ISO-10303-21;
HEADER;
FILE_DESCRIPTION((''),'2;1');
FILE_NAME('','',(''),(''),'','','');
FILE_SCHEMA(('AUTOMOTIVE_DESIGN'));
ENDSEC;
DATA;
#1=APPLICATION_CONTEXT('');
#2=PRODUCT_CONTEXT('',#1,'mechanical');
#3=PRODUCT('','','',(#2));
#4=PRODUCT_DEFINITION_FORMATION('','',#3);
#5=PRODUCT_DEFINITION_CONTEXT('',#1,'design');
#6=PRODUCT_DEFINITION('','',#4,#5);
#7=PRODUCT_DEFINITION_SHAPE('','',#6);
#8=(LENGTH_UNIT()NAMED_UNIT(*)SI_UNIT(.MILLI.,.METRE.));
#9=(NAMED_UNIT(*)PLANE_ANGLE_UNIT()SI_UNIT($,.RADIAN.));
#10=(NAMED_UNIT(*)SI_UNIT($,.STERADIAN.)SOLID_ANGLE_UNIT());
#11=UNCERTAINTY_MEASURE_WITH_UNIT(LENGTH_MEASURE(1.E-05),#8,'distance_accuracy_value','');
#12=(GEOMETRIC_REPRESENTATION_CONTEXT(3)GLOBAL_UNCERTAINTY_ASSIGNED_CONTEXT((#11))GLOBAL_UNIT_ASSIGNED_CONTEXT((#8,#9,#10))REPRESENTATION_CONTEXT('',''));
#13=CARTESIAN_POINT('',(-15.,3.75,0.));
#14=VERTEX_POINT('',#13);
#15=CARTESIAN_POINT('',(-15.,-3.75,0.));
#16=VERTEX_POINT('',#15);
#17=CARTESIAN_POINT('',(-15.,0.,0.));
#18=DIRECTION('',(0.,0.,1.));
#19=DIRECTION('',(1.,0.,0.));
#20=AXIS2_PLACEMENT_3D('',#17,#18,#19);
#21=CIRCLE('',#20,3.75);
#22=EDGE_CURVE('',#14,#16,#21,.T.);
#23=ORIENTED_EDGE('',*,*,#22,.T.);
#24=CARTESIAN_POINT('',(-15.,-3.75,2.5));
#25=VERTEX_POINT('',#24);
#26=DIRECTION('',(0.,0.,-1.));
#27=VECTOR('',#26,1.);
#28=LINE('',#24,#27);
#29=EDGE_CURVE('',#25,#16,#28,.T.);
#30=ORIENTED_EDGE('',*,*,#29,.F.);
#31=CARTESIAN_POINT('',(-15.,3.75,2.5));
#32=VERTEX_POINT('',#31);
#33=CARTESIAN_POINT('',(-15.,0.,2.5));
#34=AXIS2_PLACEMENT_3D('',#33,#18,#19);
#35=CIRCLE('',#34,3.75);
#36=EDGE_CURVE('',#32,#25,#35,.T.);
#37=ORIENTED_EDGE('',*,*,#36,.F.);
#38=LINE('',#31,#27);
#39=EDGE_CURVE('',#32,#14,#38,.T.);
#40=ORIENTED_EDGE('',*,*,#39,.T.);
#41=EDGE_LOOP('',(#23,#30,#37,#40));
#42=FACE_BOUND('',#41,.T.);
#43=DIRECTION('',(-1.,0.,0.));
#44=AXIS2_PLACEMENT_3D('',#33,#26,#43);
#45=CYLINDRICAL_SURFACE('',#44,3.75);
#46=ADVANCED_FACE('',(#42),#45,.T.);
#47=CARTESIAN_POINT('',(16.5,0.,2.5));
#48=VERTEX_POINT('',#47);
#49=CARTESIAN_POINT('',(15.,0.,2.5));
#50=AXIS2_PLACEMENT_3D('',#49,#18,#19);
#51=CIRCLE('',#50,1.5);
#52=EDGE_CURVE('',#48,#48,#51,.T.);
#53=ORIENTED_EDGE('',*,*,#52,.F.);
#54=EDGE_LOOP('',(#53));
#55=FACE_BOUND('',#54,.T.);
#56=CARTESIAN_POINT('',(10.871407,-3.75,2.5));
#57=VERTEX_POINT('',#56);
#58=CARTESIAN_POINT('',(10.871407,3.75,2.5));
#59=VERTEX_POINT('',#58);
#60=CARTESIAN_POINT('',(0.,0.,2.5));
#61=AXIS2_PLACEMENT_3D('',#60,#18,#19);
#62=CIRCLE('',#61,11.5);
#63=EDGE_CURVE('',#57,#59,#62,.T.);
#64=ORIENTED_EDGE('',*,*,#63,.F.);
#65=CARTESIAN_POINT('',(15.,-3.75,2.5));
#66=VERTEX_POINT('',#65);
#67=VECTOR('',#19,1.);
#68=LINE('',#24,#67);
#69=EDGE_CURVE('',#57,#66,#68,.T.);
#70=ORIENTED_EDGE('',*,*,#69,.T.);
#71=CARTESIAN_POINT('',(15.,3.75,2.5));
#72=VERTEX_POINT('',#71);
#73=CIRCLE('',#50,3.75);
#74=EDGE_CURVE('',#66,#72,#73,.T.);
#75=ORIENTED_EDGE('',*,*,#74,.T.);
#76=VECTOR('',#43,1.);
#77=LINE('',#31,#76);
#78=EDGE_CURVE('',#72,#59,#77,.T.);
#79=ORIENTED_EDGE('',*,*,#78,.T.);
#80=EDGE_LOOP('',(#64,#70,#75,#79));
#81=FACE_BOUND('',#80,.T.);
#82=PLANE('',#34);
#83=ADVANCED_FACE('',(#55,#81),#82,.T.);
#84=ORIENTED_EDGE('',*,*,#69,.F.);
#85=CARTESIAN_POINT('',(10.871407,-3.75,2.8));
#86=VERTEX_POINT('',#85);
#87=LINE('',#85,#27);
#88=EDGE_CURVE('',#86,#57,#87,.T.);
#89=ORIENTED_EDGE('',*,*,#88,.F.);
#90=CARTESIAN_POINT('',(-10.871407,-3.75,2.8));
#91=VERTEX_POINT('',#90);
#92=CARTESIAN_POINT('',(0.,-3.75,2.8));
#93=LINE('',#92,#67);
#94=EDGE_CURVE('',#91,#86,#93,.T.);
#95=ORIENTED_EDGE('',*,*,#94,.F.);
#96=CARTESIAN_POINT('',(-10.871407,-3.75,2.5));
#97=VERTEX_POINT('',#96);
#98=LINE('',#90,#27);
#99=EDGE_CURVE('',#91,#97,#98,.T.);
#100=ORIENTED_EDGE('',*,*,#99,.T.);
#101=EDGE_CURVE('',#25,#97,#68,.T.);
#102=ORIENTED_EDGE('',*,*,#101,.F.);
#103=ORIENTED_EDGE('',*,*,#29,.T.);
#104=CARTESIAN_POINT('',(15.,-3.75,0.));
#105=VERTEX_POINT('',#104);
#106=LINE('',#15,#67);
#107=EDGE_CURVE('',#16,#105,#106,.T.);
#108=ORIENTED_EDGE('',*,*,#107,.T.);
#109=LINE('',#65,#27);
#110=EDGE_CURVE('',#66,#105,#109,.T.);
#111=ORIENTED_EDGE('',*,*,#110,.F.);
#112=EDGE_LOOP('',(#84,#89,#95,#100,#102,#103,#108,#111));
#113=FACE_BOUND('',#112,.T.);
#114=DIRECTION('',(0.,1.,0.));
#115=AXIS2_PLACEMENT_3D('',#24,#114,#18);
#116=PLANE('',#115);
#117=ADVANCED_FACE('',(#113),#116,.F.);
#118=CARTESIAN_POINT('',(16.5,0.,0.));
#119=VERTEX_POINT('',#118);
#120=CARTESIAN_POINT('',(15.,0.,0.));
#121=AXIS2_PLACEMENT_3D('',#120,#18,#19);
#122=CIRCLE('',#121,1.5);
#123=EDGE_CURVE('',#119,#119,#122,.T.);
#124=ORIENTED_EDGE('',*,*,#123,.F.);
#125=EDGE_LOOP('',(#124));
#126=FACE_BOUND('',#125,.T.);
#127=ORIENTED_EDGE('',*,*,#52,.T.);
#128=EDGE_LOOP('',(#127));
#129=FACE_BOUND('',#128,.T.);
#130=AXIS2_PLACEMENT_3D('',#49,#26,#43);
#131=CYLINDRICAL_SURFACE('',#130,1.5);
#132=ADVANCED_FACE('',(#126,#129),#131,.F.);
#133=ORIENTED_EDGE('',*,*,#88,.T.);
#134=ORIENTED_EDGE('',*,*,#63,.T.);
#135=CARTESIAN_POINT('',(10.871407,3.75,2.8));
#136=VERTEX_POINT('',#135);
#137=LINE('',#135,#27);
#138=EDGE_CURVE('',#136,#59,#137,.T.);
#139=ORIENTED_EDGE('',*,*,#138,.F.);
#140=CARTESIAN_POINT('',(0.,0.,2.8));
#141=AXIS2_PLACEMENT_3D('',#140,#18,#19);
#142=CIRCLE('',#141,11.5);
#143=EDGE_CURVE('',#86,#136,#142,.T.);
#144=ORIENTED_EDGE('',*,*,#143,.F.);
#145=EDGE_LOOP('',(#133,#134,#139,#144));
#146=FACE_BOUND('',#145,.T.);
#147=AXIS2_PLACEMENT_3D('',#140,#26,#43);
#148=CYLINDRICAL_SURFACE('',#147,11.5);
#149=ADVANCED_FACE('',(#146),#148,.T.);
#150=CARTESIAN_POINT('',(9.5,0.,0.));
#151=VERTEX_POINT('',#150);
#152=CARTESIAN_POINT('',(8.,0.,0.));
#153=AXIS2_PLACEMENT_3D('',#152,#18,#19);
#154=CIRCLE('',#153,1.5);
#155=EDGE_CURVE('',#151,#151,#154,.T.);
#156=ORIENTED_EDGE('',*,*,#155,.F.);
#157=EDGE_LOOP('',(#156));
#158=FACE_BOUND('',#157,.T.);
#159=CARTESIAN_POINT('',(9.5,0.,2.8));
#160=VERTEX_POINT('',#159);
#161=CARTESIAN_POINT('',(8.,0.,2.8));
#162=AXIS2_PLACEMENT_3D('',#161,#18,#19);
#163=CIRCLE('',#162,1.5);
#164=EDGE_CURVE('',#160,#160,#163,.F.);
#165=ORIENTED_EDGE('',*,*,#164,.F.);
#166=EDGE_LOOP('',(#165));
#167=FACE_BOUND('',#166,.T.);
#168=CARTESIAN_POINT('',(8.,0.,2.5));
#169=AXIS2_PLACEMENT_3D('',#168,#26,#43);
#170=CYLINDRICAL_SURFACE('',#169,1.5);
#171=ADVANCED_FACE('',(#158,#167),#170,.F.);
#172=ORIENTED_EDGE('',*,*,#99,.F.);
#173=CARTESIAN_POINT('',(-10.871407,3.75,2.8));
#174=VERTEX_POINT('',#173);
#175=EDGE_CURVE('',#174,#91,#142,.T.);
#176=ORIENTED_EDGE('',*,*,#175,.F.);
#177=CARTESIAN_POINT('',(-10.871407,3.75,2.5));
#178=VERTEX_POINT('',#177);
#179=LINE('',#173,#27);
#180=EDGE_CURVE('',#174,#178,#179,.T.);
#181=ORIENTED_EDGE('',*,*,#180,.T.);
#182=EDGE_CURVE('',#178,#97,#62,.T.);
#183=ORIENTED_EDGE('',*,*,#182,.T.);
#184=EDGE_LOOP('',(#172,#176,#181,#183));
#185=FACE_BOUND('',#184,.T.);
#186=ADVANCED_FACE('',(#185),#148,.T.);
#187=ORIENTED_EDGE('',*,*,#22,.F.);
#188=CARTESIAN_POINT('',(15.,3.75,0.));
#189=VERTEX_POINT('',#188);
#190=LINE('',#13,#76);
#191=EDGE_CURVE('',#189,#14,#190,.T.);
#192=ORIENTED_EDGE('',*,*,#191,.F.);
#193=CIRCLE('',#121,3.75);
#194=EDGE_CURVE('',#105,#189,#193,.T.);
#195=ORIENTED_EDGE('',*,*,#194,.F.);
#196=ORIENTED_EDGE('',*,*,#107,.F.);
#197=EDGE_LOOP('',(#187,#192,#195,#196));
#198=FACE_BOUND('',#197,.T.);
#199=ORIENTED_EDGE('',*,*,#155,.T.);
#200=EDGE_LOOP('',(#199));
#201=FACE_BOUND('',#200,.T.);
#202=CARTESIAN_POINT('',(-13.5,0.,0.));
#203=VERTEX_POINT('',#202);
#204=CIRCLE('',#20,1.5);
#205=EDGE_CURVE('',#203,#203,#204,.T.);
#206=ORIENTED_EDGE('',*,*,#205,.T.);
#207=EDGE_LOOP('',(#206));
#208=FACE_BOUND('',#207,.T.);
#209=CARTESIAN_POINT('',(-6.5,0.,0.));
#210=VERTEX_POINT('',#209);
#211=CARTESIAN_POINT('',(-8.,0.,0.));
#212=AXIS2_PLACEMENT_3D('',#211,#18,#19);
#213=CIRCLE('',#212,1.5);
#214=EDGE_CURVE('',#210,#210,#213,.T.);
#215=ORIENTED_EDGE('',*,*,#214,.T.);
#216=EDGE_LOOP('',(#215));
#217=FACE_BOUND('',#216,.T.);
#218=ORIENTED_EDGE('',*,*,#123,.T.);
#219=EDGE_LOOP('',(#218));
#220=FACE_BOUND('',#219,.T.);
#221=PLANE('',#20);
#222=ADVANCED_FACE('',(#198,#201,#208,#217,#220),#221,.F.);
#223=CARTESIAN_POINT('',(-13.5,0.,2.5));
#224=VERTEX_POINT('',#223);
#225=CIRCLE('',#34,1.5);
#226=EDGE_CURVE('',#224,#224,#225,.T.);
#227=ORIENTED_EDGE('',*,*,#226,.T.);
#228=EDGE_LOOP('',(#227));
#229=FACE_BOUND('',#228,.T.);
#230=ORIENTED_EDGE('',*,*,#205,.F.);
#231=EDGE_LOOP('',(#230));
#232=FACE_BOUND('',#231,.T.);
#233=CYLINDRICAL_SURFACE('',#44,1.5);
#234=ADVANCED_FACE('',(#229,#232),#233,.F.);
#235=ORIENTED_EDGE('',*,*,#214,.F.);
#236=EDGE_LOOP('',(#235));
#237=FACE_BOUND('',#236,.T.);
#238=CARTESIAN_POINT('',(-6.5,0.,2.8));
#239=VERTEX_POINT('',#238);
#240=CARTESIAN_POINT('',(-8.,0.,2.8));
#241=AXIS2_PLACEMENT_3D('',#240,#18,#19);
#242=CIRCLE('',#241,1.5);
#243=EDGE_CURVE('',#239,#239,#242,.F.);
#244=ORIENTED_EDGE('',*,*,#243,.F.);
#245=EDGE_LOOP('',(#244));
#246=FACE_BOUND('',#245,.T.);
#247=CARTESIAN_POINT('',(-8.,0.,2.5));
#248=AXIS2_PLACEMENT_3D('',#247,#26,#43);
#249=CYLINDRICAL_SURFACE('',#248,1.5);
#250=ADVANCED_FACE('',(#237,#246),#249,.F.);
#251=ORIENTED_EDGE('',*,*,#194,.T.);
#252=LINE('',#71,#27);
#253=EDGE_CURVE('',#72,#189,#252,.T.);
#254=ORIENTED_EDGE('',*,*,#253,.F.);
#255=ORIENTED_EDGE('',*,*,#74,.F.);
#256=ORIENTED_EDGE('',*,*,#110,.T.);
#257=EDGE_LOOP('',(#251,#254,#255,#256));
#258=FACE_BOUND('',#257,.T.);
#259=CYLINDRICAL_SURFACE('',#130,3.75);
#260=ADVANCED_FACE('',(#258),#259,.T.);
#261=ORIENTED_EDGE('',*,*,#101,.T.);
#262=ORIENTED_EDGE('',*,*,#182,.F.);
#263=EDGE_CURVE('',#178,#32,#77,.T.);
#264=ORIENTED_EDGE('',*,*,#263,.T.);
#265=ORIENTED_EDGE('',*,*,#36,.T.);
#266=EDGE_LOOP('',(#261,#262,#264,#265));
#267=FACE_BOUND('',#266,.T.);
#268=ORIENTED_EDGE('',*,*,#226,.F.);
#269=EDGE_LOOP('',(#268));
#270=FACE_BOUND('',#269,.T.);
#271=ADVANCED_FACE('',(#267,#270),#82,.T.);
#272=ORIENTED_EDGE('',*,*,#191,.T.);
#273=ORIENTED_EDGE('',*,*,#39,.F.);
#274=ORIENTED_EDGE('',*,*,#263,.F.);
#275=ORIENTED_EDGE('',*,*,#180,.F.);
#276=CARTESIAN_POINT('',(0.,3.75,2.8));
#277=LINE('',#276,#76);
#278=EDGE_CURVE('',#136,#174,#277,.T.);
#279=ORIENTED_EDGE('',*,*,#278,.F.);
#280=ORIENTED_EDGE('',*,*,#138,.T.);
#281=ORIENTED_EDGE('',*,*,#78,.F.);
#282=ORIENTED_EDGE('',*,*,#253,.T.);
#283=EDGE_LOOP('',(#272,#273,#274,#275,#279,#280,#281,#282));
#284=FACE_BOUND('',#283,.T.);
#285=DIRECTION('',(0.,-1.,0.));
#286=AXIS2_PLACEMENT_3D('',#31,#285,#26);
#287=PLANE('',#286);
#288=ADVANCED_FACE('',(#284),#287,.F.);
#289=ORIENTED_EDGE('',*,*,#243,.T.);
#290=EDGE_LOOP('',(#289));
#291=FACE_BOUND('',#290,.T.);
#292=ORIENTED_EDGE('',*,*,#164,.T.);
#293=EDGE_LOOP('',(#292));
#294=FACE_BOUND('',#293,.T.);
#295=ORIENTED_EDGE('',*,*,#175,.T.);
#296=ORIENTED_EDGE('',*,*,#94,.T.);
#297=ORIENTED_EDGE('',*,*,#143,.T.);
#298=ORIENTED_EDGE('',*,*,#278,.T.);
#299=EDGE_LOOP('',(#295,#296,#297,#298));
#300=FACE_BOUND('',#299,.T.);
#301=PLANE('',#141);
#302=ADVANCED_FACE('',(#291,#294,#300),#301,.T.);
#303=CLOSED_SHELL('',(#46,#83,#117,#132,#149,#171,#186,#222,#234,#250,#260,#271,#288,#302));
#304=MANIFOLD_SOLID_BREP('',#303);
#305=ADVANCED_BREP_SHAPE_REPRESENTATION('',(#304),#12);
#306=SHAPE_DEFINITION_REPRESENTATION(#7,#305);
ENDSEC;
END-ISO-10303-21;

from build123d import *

# Parameters (mm, degrees)
SKIZZE1_R       = 1.5
BASE_DEPTH      = 2.5
SKIZZE3_W       = 21.742814906
SKIZZE3_H       = 7.5
SKIZZE3_R       = 1.5
DISTANCER_DEPTH = 0.3


with BuildPart() as part:
    # Skizze1 → Base (new body)
    with BuildSketch(Plane.XY):
        with BuildLine():
            Line((-15, 3.75), (15, 3.75))
            ThreePointArc((15, 3.75), (18.75, 0), (15, -3.75))
            Line((15, -3.75), (-15, -3.75))
            ThreePointArc((-15, -3.75), (-18.75, 0), (-15, 3.75))
        make_face()
        with Locations((-15, 0)):
            Circle(SKIZZE1_R, mode=Mode.SUBTRACT)
        with Locations((15, 0)):
            Circle(SKIZZE1_R, mode=Mode.SUBTRACT)
        with Locations((-8, 0)):
            Circle(SKIZZE1_R, mode=Mode.SUBTRACT)
        with Locations((8, 0)):
            Circle(SKIZZE1_R, mode=Mode.SUBTRACT)
    extrude(amount=BASE_DEPTH)

    # Skizze3 → Distancer (add)
    # profile 1 of 3: a face of its own
    with BuildSketch(Plane.XY.offset(2.5)):
        with BuildLine():
            ThreePointArc((-10.871407453, 3.75), (-11.5, 0), (-10.871407453, -3.75))
            Line((-10.871407453, -3.75), (-10.871407453, 3.75))
        make_face()
    # profile 2 of 3: a face of its own
    with BuildSketch(Plane.XY.offset(2.5)):
        with BuildLine():
            Line((10.871407453, 3.75), (10.871407453, -3.75))
            ThreePointArc((10.871407453, -3.75), (11.341763216, -1.901159422), (11.5, 0))
            ThreePointArc((11.5, 0), (11.341763216, 1.901159422), (10.871407453, 3.75))
        make_face()
    # profile 3 of 3: a face of its own
    with BuildSketch(Plane.XY.offset(2.5)):
        Rectangle(SKIZZE3_W, SKIZZE3_H)
        with Locations((-8, 0)):
            Circle(SKIZZE3_R, mode=Mode.SUBTRACT)
        with Locations((8, 0)):
            Circle(SKIZZE3_R, mode=Mode.SUBTRACT)
    extrude(amount=DISTANCER_DEPTH)


solid = part.part
